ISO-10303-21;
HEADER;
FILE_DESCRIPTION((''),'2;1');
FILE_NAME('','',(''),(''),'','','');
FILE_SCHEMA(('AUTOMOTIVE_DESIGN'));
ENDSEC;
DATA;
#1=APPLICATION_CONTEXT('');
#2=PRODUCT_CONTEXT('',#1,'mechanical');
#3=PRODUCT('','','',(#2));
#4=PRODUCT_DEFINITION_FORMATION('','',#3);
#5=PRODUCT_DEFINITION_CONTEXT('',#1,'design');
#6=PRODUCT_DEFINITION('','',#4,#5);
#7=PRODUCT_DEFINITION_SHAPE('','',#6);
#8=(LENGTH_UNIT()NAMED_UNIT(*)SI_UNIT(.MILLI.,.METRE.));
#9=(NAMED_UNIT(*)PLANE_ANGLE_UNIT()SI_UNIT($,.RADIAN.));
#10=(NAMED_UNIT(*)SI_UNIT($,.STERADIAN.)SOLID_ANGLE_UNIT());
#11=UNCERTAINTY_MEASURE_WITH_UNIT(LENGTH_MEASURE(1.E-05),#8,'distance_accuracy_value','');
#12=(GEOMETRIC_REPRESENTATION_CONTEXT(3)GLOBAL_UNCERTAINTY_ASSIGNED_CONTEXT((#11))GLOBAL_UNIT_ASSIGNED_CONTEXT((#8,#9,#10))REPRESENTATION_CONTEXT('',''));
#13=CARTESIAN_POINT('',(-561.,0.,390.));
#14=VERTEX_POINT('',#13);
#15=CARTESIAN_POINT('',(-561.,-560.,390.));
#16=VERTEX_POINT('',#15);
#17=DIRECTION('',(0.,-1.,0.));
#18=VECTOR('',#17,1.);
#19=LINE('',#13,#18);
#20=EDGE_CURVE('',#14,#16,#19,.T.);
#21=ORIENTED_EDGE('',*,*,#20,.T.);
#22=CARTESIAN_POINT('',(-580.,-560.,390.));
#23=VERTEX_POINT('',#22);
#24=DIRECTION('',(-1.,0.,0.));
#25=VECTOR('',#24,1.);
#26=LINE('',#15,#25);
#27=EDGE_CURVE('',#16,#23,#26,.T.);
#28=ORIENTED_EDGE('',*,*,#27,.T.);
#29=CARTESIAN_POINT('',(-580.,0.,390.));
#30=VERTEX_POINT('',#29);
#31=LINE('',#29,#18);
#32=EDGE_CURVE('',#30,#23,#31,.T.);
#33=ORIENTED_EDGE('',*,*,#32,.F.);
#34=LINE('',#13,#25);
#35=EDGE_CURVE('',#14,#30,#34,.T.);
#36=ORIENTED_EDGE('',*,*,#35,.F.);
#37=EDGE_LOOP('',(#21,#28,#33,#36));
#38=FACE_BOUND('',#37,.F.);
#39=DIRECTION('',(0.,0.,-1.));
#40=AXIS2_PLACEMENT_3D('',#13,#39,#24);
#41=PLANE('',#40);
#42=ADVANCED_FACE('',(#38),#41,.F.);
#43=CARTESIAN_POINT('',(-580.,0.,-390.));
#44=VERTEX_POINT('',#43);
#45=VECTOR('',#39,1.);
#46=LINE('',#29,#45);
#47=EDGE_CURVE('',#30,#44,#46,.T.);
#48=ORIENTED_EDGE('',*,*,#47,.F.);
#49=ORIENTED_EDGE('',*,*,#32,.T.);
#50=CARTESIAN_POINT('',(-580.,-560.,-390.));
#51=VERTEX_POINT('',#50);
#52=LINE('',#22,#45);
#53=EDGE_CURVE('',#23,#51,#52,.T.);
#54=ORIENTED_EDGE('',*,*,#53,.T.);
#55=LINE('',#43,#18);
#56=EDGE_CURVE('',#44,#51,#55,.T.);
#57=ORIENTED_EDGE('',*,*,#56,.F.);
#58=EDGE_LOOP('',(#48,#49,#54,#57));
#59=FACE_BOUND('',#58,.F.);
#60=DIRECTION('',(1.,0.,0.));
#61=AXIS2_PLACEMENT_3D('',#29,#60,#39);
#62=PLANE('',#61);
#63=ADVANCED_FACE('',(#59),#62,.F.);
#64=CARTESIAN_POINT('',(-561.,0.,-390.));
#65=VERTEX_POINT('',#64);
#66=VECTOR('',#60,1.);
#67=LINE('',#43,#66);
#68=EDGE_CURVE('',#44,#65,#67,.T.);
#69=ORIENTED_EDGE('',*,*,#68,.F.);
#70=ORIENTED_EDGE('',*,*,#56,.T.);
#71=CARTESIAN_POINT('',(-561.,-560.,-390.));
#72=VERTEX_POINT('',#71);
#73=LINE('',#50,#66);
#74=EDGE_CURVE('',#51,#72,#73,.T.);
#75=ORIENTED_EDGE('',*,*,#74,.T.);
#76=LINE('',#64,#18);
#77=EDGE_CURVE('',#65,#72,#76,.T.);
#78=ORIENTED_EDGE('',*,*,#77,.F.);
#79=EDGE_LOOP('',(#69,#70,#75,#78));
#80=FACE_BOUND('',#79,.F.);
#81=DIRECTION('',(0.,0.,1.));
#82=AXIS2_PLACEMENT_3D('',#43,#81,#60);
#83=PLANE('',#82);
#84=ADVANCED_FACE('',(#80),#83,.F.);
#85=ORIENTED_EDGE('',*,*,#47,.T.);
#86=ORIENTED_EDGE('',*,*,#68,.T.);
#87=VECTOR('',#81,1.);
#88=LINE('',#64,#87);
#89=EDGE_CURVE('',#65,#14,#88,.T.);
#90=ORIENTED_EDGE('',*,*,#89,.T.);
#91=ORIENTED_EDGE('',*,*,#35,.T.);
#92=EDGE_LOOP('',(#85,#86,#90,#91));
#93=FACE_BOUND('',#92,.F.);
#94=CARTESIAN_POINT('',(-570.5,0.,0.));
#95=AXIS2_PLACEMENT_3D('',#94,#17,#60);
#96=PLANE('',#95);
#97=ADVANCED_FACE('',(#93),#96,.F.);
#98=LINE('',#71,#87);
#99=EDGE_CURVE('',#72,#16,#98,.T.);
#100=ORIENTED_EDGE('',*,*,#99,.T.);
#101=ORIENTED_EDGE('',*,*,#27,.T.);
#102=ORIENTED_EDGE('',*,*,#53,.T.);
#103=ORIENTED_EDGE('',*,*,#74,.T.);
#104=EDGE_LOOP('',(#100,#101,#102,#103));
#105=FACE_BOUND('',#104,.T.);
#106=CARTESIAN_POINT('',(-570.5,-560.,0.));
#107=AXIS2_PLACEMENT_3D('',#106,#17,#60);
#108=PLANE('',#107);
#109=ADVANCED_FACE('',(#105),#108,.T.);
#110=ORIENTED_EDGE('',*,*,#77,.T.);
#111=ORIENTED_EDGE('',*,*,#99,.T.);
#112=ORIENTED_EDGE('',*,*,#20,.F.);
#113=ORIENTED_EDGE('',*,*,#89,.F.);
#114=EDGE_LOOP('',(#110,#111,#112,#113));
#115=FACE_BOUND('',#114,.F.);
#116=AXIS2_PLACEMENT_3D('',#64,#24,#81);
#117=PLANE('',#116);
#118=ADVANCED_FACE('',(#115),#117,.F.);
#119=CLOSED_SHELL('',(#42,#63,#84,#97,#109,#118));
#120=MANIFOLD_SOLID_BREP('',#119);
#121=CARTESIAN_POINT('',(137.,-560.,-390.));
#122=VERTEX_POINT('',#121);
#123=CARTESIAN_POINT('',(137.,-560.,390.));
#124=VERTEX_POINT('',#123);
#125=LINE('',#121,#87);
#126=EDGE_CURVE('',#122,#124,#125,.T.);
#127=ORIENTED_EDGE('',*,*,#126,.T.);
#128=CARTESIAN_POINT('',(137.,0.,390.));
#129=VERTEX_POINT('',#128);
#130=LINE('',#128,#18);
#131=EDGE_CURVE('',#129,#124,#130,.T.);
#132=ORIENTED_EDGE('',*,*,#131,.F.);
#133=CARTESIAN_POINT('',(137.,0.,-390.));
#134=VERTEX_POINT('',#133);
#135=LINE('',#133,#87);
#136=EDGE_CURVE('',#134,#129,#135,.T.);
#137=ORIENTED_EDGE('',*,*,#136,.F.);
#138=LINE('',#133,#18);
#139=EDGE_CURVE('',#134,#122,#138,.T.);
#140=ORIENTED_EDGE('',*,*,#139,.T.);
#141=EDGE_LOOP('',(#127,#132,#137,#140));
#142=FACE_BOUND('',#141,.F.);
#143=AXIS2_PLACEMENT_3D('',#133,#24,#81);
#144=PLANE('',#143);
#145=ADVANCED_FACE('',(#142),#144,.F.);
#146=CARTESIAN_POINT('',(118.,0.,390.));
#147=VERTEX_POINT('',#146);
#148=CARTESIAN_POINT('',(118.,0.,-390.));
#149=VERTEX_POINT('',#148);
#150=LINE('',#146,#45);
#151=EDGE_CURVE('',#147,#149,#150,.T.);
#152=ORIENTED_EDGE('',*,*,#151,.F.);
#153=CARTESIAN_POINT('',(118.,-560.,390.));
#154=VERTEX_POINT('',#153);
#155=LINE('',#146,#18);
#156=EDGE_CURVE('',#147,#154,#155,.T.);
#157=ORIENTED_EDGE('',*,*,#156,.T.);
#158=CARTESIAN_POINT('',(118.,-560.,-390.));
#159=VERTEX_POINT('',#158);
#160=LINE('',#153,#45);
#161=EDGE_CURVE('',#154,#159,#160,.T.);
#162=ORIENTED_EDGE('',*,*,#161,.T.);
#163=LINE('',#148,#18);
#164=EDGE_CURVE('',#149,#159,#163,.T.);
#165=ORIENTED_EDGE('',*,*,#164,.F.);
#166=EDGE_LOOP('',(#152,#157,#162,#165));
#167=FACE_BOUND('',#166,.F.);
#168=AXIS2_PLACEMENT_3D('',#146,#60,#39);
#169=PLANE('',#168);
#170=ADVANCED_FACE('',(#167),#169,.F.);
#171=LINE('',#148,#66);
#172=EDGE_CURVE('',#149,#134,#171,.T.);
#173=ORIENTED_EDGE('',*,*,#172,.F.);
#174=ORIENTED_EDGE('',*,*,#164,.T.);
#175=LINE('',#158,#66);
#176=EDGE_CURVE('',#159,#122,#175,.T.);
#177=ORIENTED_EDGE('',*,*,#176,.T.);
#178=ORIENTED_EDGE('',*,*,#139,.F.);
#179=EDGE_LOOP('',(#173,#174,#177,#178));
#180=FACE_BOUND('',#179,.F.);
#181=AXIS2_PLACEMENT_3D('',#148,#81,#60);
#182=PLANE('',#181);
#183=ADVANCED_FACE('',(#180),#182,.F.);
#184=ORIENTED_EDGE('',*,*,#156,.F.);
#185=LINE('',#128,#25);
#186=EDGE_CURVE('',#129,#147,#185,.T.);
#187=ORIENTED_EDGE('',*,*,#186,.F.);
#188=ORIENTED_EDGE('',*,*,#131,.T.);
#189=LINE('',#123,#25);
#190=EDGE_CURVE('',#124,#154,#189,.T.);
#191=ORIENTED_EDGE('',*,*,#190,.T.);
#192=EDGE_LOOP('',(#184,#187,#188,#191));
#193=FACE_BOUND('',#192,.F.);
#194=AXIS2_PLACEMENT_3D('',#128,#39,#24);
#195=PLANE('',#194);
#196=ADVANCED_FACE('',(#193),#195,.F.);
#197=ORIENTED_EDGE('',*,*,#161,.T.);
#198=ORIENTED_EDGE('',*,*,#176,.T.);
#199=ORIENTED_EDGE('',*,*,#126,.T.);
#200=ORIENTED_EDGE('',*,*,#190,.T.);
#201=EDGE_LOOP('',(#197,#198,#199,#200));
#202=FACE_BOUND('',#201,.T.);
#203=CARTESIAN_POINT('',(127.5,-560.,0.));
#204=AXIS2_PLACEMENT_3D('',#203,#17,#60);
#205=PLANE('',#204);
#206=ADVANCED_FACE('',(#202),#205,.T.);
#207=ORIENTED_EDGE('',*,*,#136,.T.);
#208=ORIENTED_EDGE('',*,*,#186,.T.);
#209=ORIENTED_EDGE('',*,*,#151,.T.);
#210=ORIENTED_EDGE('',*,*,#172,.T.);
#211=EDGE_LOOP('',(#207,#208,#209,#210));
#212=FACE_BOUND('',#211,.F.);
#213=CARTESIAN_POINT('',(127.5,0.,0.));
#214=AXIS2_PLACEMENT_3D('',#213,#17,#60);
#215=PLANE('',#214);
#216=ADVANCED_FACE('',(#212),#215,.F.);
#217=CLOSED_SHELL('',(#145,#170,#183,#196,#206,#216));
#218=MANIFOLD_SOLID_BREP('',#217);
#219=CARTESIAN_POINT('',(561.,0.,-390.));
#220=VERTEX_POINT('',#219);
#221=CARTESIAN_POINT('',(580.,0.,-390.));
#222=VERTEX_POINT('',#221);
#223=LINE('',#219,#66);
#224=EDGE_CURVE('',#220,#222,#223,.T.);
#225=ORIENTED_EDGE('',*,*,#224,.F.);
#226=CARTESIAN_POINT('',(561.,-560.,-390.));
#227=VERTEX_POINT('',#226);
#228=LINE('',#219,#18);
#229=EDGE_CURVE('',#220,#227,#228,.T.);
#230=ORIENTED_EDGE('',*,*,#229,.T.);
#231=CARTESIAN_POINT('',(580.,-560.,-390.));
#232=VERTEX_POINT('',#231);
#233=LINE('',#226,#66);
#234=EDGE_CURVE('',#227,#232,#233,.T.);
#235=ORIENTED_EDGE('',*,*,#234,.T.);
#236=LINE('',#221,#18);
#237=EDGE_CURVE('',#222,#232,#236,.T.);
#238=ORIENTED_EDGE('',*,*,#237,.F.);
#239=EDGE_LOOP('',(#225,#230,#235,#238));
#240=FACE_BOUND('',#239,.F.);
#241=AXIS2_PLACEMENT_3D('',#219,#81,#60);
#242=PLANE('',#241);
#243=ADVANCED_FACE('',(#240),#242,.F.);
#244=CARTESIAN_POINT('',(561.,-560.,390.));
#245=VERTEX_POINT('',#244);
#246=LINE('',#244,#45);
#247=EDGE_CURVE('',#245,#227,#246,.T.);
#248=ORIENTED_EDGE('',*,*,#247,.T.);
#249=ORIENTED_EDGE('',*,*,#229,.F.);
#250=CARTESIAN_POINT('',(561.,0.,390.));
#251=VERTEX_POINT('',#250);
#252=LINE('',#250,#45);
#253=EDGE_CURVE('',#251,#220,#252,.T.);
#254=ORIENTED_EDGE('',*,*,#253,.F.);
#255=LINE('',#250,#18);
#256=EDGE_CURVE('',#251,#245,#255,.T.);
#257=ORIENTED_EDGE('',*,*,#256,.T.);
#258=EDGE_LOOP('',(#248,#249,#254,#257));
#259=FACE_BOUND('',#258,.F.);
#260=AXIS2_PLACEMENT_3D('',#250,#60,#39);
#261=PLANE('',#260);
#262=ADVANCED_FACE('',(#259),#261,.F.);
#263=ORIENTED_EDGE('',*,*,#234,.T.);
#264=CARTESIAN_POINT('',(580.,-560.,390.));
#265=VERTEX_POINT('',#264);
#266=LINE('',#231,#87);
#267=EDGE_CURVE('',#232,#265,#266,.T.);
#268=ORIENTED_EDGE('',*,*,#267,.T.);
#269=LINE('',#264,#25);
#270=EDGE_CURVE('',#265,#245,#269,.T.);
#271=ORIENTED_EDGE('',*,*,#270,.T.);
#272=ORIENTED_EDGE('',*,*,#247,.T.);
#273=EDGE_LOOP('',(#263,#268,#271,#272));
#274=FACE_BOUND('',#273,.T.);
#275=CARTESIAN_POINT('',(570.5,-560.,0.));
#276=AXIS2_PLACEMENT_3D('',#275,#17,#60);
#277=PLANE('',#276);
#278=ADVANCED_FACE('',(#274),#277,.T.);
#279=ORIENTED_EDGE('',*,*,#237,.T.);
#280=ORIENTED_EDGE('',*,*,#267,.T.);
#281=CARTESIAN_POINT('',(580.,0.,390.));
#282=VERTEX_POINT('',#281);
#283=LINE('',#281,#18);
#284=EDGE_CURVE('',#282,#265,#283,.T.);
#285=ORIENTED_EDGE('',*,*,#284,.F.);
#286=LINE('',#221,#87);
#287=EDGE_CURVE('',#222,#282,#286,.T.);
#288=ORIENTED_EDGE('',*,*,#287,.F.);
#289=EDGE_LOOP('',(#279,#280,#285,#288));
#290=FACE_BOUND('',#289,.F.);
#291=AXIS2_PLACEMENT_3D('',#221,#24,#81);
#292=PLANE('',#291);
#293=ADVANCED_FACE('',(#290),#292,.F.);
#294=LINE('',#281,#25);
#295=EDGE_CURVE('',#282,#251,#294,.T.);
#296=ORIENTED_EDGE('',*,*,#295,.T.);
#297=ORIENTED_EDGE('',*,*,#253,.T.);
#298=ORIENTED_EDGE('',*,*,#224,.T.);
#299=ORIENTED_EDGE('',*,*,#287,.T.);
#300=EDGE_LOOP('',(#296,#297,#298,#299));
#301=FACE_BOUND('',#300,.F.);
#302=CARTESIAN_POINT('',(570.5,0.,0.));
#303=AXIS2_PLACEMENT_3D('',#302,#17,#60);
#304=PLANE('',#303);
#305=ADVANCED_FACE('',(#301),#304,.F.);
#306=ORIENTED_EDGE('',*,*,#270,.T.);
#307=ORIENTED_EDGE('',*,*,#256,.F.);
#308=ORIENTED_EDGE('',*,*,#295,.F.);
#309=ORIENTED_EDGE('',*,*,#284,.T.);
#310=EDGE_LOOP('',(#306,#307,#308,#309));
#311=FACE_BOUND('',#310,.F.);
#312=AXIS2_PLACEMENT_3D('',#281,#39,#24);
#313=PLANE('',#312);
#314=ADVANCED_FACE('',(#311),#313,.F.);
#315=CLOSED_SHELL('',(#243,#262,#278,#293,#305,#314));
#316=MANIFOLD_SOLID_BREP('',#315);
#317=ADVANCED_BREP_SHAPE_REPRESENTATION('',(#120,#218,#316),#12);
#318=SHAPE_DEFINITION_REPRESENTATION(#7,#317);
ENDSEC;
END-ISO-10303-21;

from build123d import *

# Parameters (mm, degrees)
F1_DEPTH = 560
F2_DEPTH = 560
F3_DEPTH = 560


with BuildPart() as f1:
    # F0 (on Front) → F1 (new body)
    with BuildSketch(Plane.XZ):
        Polygon((-580, 390), (-580, -390), (-561, -390), (-561, -330), (-561, 270), (-561, 289), (-561, 390), align=None)
    extrude(amount=F1_DEPTH)


with BuildPart() as f2:
    # F0 (on Front) → F2 (new body)
    with BuildSketch(Plane.XZ):
        Polygon((561, -330), (561, -390), (580, -390), (580, 390), (561, 390), (561, 139), (561, 120), align=None)
    extrude(amount=F2_DEPTH)


with BuildPart() as f3:
    # F0 (on Front) → F3 (new body)
    with BuildSketch(Plane.XZ):
        Polygon((118, 216), (118, -390), (137, -390), (137, -330), (137, 120), (137, 139), (137, 390), (118, 390), (118, 235), align=None)
    extrude(amount=F3_DEPTH)


solid = Compound([f1.part, f2.part, f3.part])
